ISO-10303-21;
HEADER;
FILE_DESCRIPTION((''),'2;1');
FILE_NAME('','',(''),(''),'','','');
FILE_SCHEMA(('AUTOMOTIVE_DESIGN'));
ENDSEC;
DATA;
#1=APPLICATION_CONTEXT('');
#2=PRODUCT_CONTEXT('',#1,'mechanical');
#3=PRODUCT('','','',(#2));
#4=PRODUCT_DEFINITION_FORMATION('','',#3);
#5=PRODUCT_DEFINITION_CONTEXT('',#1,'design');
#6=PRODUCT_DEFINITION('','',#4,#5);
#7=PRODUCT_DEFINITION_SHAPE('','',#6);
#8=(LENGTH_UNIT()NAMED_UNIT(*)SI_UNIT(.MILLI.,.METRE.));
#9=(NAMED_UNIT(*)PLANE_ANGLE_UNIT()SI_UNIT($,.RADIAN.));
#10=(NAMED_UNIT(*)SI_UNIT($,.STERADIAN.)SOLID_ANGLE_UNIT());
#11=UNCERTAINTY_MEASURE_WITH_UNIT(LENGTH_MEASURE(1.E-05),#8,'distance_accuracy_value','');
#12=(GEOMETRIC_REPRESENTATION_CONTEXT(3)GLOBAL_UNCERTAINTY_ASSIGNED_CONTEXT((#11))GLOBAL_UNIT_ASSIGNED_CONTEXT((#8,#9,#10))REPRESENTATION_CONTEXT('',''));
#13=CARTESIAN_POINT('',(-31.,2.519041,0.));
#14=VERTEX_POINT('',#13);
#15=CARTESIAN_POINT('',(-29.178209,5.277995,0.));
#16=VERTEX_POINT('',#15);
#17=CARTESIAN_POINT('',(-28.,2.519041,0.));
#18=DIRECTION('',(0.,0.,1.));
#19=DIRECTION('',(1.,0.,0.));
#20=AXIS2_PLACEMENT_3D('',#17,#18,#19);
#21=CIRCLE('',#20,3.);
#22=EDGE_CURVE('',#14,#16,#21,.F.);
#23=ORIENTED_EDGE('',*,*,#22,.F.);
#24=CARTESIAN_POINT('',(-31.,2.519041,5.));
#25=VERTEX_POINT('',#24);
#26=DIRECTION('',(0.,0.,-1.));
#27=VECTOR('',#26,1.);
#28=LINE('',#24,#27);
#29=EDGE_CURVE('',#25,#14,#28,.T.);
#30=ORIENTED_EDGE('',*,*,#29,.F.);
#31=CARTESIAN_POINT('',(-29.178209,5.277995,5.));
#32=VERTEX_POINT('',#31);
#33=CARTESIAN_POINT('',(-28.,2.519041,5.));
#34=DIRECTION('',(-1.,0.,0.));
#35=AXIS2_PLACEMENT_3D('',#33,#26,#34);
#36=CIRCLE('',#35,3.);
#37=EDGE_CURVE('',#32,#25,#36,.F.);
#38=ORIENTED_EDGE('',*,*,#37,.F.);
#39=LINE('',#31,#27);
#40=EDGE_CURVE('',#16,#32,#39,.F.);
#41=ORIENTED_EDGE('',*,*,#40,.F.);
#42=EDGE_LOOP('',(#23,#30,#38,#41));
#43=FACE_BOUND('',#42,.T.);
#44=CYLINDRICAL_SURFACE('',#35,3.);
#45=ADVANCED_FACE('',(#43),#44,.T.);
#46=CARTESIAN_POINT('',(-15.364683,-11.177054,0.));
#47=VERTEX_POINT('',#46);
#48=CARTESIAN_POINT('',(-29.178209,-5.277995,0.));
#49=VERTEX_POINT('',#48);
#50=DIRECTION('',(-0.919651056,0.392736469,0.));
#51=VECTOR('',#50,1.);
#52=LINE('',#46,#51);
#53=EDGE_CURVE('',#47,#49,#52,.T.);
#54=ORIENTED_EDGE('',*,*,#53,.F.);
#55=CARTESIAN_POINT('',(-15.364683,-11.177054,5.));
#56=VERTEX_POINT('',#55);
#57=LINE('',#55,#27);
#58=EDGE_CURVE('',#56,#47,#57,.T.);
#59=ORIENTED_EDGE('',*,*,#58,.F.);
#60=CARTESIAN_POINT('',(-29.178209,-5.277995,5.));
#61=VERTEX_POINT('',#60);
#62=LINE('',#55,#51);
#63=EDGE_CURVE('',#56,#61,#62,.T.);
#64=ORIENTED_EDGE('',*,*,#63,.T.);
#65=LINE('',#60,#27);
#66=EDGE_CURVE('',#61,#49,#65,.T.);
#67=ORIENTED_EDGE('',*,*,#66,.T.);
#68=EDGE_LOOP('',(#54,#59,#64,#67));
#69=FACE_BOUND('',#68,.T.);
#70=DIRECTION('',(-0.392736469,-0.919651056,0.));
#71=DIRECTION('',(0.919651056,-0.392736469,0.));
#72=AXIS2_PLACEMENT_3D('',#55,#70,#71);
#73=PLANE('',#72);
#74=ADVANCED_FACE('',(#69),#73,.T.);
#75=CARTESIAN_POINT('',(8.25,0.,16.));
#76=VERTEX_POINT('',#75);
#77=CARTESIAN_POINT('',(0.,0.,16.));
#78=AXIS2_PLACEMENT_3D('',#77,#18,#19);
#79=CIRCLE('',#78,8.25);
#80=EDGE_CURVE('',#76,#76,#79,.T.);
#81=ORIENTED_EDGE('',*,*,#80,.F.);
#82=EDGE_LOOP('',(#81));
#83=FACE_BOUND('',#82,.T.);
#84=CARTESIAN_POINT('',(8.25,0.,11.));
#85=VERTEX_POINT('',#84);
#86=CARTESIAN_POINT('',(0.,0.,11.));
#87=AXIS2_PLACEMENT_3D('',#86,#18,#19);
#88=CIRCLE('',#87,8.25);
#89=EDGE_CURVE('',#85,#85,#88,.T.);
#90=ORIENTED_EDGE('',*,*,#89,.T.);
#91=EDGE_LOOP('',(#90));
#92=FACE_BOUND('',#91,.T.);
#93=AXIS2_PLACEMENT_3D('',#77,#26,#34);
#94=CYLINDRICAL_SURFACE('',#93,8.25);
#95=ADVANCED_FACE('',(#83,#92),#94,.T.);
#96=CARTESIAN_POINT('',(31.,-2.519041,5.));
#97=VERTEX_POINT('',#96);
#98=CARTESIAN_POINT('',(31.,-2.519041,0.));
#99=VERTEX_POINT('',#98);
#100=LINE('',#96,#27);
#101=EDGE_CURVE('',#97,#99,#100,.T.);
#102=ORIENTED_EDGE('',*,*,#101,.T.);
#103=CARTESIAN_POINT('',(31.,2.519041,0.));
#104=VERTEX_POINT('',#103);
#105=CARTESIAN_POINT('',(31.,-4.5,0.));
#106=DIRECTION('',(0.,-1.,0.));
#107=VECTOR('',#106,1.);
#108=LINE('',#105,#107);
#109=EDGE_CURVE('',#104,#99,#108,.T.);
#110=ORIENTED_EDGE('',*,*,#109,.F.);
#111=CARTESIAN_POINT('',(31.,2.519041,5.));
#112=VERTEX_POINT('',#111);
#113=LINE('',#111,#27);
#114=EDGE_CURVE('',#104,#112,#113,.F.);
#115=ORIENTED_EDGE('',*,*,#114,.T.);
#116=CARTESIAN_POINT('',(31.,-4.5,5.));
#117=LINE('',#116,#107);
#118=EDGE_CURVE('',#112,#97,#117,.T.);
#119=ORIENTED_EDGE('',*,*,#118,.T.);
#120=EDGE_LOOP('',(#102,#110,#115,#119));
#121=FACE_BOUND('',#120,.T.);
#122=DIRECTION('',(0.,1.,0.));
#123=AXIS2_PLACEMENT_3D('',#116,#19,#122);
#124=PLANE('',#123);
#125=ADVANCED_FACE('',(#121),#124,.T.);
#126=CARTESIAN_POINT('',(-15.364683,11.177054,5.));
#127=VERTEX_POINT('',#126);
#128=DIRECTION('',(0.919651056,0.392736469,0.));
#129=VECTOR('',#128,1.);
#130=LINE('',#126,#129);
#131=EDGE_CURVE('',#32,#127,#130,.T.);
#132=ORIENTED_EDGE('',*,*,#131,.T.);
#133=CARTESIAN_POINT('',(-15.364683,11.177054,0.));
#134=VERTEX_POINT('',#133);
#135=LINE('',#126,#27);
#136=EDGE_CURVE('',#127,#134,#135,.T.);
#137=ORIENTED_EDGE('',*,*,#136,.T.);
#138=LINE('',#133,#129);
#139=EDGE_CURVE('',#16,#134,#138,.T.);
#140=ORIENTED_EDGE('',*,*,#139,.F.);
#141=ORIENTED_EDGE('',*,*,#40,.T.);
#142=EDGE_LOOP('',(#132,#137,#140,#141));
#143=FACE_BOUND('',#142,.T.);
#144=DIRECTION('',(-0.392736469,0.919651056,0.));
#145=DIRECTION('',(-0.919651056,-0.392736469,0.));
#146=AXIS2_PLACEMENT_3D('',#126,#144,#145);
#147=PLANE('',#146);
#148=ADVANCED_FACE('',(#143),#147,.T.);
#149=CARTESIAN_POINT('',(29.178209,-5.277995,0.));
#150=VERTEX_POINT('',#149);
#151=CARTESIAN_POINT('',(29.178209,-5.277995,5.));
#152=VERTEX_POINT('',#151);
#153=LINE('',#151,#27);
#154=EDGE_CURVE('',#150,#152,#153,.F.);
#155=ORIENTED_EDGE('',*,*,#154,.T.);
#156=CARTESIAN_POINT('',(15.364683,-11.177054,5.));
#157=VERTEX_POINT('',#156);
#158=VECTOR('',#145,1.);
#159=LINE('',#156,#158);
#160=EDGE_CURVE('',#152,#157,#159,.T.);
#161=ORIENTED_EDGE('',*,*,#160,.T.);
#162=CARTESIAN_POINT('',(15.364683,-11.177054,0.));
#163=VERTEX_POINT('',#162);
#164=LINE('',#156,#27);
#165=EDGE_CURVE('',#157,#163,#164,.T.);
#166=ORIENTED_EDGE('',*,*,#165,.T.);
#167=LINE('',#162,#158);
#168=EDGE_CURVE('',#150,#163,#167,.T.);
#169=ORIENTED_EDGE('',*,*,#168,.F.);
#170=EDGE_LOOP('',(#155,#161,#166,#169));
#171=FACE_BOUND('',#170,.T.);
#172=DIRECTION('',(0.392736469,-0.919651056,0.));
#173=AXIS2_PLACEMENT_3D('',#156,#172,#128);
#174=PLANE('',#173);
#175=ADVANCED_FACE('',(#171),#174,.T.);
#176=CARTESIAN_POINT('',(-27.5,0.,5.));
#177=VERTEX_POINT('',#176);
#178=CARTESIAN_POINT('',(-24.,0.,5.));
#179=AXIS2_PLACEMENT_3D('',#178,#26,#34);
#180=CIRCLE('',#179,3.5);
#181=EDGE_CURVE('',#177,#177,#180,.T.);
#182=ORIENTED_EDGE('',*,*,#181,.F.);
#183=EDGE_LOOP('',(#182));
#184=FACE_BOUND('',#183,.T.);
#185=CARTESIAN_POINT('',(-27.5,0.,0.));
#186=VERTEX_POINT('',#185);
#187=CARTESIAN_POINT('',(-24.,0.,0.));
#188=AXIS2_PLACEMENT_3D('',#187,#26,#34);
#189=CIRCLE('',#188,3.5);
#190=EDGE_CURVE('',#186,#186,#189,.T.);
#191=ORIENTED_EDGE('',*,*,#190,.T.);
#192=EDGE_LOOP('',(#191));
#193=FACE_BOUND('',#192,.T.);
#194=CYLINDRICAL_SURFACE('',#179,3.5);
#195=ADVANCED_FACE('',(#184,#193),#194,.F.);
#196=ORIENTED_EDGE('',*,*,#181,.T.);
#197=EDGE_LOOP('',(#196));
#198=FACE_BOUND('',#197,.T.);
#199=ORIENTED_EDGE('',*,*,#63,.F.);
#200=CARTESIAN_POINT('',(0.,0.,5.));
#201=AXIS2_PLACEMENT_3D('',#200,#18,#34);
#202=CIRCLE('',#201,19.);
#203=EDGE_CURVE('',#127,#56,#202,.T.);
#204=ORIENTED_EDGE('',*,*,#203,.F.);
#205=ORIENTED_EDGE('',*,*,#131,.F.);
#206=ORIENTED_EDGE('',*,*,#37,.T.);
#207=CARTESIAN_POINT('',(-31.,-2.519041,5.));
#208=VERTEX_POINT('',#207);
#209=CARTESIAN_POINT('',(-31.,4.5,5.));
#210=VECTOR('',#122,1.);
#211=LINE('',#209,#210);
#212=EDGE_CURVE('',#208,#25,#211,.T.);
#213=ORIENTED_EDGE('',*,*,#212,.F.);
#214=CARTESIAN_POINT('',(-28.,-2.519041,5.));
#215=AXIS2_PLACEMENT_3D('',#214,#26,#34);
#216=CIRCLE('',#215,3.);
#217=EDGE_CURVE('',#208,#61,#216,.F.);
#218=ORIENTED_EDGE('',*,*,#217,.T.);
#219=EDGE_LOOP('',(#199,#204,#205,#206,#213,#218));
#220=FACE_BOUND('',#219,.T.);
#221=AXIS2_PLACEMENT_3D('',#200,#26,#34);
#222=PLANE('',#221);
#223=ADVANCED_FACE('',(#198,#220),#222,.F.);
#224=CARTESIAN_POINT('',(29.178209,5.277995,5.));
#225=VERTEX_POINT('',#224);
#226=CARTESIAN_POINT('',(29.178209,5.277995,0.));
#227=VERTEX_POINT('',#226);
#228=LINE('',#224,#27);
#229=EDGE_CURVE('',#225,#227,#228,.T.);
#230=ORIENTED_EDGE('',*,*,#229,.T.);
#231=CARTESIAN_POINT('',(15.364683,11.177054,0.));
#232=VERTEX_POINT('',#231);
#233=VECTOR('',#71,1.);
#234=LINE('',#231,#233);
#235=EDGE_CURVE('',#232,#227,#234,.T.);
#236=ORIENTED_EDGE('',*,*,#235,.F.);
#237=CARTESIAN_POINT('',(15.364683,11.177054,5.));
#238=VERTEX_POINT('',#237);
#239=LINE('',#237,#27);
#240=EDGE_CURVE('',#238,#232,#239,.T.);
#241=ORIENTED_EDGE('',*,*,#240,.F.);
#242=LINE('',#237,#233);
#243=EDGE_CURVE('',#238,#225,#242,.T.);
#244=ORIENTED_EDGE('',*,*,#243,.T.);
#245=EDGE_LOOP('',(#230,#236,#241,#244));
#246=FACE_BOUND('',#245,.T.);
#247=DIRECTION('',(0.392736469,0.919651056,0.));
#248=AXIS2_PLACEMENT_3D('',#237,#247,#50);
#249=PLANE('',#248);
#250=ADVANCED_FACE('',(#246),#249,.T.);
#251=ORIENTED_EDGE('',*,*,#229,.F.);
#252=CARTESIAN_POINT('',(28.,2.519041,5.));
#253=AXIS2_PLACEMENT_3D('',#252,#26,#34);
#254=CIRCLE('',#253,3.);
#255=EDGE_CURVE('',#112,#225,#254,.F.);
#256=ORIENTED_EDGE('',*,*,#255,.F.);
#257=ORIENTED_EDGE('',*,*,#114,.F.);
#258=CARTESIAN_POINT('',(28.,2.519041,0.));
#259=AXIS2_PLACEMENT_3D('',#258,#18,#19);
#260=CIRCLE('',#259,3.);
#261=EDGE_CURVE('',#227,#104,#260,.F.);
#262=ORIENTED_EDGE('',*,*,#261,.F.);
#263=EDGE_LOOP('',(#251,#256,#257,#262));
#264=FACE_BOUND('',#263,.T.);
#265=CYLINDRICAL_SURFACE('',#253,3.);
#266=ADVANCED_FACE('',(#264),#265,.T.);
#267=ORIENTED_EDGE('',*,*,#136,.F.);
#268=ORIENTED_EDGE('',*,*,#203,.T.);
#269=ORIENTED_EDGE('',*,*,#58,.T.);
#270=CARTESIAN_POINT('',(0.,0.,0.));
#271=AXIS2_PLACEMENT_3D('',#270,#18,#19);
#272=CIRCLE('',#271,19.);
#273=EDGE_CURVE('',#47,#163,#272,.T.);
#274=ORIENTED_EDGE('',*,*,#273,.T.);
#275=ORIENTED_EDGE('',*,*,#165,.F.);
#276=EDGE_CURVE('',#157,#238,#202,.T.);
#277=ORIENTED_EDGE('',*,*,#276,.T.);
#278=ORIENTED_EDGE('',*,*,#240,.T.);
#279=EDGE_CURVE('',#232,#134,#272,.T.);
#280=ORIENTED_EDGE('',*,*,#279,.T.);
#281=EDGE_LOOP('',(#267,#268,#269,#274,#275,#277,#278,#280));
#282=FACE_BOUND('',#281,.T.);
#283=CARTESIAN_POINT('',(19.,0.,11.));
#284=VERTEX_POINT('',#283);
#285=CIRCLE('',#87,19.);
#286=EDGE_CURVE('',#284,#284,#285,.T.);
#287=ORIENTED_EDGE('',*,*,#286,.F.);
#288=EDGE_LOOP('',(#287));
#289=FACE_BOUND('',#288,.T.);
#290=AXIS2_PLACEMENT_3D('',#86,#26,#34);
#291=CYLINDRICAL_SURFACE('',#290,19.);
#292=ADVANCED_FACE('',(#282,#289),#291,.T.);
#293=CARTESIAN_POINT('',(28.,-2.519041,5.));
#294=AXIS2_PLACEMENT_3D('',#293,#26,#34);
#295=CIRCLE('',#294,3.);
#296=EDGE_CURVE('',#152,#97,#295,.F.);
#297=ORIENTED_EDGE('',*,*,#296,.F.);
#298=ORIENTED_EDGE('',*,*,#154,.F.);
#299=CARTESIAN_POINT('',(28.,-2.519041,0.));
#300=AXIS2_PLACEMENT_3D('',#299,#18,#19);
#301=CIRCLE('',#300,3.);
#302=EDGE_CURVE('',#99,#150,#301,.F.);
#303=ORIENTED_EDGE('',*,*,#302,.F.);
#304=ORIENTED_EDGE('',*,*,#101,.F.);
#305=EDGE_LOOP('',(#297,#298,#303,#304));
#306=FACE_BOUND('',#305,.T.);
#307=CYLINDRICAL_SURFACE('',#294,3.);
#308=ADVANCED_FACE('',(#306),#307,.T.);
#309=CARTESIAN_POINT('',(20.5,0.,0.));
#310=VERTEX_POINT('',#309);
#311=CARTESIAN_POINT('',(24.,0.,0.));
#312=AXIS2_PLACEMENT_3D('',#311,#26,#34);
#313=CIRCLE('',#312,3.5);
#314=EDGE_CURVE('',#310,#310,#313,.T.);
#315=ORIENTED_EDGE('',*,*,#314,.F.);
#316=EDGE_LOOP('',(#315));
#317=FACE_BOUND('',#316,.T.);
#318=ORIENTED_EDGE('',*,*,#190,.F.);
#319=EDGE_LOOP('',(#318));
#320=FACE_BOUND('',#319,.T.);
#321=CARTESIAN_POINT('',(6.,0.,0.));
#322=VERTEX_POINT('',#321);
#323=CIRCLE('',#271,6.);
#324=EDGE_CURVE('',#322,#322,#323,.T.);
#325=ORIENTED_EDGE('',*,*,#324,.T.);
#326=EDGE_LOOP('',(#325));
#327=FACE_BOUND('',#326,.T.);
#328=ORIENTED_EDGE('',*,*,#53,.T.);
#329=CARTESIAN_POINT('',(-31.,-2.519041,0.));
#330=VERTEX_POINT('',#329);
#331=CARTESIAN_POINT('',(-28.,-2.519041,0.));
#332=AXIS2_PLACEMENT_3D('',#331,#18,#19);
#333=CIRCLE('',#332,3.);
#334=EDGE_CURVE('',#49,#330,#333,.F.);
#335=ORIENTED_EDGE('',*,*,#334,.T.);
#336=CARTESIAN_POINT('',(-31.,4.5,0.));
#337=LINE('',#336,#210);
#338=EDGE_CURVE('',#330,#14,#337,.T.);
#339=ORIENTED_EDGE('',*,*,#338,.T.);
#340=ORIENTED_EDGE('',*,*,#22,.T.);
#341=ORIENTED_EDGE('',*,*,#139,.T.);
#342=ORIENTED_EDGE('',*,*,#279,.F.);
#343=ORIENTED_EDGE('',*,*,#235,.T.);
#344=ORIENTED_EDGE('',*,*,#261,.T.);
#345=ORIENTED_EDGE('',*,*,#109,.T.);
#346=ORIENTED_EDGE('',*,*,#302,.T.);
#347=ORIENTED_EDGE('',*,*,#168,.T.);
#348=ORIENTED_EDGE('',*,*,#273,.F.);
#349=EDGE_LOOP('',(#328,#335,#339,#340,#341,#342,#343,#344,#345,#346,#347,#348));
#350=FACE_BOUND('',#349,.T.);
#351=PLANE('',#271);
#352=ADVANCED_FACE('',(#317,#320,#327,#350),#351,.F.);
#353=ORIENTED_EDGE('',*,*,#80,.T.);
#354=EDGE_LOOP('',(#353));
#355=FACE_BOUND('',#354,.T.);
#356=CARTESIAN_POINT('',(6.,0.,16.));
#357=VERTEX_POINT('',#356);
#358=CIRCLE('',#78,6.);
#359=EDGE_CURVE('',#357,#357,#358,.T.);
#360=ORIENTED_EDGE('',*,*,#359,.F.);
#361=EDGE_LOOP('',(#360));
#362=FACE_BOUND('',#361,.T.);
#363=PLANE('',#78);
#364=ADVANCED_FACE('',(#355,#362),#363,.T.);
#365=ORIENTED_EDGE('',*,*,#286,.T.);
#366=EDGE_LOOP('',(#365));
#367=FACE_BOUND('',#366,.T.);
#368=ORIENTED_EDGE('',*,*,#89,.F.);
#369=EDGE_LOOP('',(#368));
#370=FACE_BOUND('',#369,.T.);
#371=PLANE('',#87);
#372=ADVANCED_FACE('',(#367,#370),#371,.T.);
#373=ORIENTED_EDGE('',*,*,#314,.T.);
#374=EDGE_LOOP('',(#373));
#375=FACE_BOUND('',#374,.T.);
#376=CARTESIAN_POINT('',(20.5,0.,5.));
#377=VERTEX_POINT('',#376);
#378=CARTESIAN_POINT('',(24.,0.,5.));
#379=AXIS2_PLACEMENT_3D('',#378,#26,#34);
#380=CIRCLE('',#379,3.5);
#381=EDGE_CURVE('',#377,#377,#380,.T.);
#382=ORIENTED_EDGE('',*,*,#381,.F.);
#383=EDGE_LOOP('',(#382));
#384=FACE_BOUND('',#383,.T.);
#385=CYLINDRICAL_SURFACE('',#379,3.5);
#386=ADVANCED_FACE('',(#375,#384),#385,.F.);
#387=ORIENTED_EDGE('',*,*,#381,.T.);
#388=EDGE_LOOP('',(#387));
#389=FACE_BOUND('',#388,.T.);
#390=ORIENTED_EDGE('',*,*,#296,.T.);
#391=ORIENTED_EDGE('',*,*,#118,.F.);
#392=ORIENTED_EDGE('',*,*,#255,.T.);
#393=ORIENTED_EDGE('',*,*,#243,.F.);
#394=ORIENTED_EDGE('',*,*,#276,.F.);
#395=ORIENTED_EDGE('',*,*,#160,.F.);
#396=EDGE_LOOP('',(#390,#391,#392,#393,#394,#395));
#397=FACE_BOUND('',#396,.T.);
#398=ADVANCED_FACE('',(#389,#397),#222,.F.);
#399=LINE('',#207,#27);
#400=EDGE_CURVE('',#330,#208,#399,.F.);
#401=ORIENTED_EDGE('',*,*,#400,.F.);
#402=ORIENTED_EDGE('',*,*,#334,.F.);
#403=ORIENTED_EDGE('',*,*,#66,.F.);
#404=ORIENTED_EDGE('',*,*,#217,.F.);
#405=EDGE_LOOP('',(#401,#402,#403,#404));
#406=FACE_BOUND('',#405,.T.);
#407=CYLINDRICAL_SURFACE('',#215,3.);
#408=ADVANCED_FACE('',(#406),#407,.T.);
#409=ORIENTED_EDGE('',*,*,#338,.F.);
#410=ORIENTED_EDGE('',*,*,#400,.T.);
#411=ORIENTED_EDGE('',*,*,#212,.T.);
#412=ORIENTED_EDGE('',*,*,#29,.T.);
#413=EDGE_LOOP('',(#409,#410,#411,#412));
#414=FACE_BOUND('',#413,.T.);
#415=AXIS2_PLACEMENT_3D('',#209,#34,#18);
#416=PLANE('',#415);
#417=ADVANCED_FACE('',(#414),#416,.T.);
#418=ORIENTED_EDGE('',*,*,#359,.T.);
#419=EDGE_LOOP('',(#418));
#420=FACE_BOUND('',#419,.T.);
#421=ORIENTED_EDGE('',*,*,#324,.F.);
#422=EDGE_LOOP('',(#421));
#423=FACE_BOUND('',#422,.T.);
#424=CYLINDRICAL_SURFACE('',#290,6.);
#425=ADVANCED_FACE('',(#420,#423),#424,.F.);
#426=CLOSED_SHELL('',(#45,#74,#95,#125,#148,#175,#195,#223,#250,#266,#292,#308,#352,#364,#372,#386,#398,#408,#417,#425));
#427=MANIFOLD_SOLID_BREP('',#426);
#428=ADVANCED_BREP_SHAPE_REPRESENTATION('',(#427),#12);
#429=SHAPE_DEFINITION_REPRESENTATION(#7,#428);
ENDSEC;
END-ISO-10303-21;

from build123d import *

# Parameters (mm, degrees)
SKETCH1_R           = 19
SKETCH1_R_2         = 6
BOSS_EXTRUDE1_DEPTH = 11
SKETCH2_R           = 8.25
SKETCH2_R_2         = 6
BOSS_EXTRUDE2_DEPTH = 5
SKETCH3_R           = 3.5
BOSS_EXTRUDE3_DEPTH = 5
FILLET1_R           = 3


with BuildPart() as part:
    # Sketch1 → Boss-Extrude1 (new body)
    with BuildSketch(Plane.XY):
        Circle(SKETCH1_R)
        Circle(SKETCH1_R_2, mode=Mode.SUBTRACT)
    extrude(amount=BOSS_EXTRUDE1_DEPTH)

    # Sketch2 → Boss-Extrude2 (add)
    with BuildSketch(Plane.XY.offset(11)):
        Circle(SKETCH2_R)
        Circle(SKETCH2_R_2, mode=Mode.SUBTRACT)
    extrude(amount=BOSS_EXTRUDE2_DEPTH)

    # Sketch3 → Boss-Extrude3 (add)
    # profile 1 of 2: a face of its own
    with BuildSketch(Plane(origin=(0, 0, 0), x_dir=(-1, 0, 0), z_dir=(0, 0, -1))):
        with BuildLine():
            Line((31, 4.5), (31, -4.5))
            Line((31, -4.5), (15.364682716, -11.177053505))
            ThreePointArc((15.364682716, -11.177053505), (19, 0), (15.364682716, 11.177053505))
            Line((15.364682716, 11.177053505), (31, 4.5))
        make_face()
        with Locations((24, 0)):
            Circle(SKETCH3_R, mode=Mode.SUBTRACT)
    # profile 2 of 2: a face of its own
    with BuildSketch(Plane(origin=(0, 0, 0), x_dir=(-1, 0, 0), z_dir=(0, 0, -1))):
        with BuildLine():
            Line((-15.364682716, -11.177053505), (-31, -4.5))
            Line((-31, -4.5), (-31, 4.5))
            Line((-31, 4.5), (-15.364682716, 11.177053505))
            ThreePointArc((-15.364682716, 11.177053505), (-19, 0), (-15.364682716, -11.177053505))
        make_face()
        with Locations((-24, 0)):
            Circle(SKETCH3_R, mode=Mode.SUBTRACT)
    extrude(amount=-BOSS_EXTRUDE3_DEPTH)

    # Fillet1
    fillet1_edges = [part.edges().sort_by_distance(p)[0] for p in [
        (31, -4.5, 2.5),
        (31, 4.5, 2.5),
        (-31, 4.5, 2.5),
        (-31, -4.5, 2.5),
    ]]
    fillet(fillet1_edges, radius=FILLET1_R)


solid = part.part
